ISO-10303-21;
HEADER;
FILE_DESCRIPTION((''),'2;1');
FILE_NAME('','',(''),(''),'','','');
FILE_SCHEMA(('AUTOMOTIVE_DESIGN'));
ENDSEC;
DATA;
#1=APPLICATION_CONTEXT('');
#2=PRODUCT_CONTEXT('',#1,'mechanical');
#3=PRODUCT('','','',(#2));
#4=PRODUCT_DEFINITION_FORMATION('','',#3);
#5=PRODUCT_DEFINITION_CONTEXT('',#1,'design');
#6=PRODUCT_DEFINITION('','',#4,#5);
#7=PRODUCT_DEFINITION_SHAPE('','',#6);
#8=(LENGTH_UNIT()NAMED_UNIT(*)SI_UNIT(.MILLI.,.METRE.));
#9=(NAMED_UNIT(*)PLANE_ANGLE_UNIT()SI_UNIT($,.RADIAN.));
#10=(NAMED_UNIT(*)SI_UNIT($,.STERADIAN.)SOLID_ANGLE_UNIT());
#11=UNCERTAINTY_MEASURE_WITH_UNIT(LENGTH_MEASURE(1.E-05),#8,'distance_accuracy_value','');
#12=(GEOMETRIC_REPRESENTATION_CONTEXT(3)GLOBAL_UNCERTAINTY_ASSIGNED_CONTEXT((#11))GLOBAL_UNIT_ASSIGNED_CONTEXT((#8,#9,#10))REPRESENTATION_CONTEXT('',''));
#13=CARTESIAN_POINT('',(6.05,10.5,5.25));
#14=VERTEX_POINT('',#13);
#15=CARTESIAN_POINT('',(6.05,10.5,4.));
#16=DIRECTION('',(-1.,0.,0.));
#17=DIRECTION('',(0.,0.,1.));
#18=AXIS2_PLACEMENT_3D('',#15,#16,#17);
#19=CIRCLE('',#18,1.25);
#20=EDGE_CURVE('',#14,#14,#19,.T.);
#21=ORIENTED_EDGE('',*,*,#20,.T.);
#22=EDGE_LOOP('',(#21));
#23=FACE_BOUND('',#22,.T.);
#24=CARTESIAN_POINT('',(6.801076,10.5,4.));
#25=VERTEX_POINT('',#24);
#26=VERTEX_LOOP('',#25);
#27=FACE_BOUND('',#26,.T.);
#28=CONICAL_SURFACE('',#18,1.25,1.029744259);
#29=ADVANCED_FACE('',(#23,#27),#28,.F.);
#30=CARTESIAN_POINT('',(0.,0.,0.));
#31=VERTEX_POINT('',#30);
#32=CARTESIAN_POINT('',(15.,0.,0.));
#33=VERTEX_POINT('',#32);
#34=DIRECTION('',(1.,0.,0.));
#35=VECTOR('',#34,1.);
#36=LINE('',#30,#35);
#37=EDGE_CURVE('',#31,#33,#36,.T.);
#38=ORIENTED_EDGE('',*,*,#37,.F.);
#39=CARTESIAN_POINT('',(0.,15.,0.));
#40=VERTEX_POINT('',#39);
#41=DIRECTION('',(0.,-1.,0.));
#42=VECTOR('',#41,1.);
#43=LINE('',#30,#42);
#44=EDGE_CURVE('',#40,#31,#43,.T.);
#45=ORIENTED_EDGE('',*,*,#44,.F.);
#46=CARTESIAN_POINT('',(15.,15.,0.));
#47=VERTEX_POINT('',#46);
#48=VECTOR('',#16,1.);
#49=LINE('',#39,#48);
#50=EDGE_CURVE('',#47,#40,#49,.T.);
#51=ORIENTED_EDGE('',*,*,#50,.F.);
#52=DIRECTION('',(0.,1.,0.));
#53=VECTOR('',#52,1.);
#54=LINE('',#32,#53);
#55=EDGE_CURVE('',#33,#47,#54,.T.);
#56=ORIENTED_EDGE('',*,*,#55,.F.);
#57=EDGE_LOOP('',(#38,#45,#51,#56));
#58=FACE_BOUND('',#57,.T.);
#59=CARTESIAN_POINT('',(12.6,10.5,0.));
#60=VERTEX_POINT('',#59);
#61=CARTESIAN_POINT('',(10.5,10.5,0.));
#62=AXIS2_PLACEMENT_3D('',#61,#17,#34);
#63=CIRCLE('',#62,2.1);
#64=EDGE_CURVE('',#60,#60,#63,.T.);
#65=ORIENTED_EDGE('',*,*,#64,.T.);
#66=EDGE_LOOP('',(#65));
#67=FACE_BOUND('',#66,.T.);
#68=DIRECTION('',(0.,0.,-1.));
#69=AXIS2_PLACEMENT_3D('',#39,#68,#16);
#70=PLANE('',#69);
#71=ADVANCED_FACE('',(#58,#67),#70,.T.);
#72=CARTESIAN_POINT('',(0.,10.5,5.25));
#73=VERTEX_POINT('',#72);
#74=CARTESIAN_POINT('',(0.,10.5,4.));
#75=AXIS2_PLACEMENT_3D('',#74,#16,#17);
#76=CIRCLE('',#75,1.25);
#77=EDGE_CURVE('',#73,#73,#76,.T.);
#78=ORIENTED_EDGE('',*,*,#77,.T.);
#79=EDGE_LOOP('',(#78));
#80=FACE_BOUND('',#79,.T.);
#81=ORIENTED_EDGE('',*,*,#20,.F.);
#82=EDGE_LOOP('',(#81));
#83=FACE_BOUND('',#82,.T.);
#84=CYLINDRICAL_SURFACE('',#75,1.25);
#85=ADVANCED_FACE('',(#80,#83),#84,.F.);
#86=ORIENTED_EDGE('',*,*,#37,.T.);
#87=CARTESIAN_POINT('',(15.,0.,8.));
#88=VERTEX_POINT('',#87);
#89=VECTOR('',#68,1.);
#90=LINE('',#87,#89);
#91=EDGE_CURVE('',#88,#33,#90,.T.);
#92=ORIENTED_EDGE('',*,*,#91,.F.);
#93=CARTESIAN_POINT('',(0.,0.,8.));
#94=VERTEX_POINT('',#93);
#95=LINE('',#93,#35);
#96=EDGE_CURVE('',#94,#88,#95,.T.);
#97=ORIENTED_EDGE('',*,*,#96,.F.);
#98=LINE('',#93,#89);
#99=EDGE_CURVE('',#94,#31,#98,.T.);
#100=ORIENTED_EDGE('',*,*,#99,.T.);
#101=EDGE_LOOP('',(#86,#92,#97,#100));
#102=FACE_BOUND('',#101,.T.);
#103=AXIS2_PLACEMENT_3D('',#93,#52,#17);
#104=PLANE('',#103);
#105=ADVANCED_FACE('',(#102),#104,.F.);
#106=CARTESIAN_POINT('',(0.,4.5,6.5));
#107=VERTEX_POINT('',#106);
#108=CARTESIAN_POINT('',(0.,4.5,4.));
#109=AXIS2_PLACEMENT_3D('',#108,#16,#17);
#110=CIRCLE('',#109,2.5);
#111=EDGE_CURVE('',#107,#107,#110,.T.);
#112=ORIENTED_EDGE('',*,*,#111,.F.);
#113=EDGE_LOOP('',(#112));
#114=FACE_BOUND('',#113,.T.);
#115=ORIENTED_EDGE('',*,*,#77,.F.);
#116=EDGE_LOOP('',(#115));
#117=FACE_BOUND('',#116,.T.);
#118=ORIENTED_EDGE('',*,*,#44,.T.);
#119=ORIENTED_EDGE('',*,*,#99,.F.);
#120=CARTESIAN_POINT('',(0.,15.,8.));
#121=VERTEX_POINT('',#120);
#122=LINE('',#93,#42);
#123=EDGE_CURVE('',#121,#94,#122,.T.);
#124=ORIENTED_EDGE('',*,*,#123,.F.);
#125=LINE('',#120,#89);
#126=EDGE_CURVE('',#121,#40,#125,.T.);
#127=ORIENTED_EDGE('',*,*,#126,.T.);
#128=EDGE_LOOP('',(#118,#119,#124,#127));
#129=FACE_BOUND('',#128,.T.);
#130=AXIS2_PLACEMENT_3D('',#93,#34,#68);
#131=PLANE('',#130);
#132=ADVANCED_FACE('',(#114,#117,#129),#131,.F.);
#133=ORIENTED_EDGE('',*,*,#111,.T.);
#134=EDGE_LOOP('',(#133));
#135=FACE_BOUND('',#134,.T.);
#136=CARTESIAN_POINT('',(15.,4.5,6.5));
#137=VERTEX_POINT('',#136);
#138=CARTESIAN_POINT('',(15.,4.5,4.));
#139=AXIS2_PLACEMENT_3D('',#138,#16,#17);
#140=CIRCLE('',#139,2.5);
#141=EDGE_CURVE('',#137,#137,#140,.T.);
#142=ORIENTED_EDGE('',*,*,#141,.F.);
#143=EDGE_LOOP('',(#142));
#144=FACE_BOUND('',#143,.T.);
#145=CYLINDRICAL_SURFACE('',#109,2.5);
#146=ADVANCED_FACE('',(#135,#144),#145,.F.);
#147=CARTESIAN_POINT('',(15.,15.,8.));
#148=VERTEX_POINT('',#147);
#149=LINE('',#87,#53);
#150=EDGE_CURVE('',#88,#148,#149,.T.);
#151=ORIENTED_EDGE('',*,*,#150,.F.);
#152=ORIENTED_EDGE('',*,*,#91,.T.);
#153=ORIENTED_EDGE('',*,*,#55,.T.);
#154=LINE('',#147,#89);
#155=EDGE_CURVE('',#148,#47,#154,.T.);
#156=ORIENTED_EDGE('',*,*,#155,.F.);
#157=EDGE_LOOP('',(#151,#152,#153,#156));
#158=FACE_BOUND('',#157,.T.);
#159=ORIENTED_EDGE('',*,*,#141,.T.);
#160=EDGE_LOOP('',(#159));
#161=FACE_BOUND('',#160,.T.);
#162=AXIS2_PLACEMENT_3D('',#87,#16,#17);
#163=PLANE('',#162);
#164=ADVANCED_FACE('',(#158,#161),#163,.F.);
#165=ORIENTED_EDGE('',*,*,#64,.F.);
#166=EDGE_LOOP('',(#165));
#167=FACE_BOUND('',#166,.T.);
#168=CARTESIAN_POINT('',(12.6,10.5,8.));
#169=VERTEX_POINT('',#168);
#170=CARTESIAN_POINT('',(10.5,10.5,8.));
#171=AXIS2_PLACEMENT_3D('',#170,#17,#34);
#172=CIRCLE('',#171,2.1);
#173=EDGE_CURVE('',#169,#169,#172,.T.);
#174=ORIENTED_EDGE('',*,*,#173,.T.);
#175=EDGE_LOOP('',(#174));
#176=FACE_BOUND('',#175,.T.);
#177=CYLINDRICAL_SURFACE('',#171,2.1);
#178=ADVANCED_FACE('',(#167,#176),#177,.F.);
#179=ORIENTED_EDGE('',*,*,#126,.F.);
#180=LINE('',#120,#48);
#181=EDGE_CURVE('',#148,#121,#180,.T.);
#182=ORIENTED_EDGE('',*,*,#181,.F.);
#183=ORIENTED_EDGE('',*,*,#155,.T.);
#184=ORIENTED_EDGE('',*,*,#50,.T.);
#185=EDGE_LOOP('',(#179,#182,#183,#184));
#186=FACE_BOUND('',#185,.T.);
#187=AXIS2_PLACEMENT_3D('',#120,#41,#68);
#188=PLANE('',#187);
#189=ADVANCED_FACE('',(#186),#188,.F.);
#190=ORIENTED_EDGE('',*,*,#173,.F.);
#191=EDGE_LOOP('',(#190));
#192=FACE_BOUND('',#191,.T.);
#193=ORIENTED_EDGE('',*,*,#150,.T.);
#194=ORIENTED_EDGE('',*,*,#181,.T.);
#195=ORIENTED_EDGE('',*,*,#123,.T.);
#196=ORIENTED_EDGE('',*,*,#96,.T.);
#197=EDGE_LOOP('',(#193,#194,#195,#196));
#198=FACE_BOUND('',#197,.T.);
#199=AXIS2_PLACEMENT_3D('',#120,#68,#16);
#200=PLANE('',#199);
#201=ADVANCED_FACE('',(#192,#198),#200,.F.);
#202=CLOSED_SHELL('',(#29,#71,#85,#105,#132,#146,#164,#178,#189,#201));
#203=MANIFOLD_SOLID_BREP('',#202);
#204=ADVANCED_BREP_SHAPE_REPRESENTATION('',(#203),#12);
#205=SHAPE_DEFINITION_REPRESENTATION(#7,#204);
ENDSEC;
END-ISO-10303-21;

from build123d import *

# Parameters (mm, degrees)
SKETCH1_W                      = 15
SKETCH1_H                      = 15
BOSS_EXTRUDE1_DEPTH            = 8
TAP_DRILL_FOR_M5X0_8_TAP1_D    = 4.2
F_5_0_5_DIAMETER_HOLE1_D       = 5
F_2_5_2_5_DIAMETER_HOLE1_D     = 2.5
F_2_5_2_5_DIAMETER_HOLE1_DEPTH = 6.05
F_2_5_2_5_DIAMETER_HOLE1_TIP   = 0.751075774


with BuildPart() as part:
    # Sketch1 → Boss-Extrude1 (new body)
    with BuildSketch(Plane.XY):
        with Locations((7.5, 7.5)):
            Rectangle(SKETCH1_W, SKETCH1_H)
    extrude(amount=BOSS_EXTRUDE1_DEPTH)

    # Tap Drill for M5x0.8 Tap1 (through all)
    with Locations(Plane.XY.offset(8)):
        with Locations((10.5, 10.5)):
            Hole(TAP_DRILL_FOR_M5X0_8_TAP1_D / 2)

    # Ø5.0 (5) Diameter Hole1 (through all)
    with Locations(Plane.ZY):
        with Locations((4, 4.5)):
            Hole(F_5_0_5_DIAMETER_HOLE1_D / 2)

    # Ø2.5 (2.5) Diameter Hole1
    with Locations(Plane.ZY):
        with Locations((4, 10.5)):
            Hole(F_2_5_2_5_DIAMETER_HOLE1_D / 2, depth=F_2_5_2_5_DIAMETER_HOLE1_DEPTH)
            with Locations((0, 0, -(F_2_5_2_5_DIAMETER_HOLE1_DEPTH + F_2_5_2_5_DIAMETER_HOLE1_TIP / 2))):  # 118° drill point
                Cone(0, F_2_5_2_5_DIAMETER_HOLE1_D / 2, F_2_5_2_5_DIAMETER_HOLE1_TIP, mode=Mode.SUBTRACT)


solid = part.part
